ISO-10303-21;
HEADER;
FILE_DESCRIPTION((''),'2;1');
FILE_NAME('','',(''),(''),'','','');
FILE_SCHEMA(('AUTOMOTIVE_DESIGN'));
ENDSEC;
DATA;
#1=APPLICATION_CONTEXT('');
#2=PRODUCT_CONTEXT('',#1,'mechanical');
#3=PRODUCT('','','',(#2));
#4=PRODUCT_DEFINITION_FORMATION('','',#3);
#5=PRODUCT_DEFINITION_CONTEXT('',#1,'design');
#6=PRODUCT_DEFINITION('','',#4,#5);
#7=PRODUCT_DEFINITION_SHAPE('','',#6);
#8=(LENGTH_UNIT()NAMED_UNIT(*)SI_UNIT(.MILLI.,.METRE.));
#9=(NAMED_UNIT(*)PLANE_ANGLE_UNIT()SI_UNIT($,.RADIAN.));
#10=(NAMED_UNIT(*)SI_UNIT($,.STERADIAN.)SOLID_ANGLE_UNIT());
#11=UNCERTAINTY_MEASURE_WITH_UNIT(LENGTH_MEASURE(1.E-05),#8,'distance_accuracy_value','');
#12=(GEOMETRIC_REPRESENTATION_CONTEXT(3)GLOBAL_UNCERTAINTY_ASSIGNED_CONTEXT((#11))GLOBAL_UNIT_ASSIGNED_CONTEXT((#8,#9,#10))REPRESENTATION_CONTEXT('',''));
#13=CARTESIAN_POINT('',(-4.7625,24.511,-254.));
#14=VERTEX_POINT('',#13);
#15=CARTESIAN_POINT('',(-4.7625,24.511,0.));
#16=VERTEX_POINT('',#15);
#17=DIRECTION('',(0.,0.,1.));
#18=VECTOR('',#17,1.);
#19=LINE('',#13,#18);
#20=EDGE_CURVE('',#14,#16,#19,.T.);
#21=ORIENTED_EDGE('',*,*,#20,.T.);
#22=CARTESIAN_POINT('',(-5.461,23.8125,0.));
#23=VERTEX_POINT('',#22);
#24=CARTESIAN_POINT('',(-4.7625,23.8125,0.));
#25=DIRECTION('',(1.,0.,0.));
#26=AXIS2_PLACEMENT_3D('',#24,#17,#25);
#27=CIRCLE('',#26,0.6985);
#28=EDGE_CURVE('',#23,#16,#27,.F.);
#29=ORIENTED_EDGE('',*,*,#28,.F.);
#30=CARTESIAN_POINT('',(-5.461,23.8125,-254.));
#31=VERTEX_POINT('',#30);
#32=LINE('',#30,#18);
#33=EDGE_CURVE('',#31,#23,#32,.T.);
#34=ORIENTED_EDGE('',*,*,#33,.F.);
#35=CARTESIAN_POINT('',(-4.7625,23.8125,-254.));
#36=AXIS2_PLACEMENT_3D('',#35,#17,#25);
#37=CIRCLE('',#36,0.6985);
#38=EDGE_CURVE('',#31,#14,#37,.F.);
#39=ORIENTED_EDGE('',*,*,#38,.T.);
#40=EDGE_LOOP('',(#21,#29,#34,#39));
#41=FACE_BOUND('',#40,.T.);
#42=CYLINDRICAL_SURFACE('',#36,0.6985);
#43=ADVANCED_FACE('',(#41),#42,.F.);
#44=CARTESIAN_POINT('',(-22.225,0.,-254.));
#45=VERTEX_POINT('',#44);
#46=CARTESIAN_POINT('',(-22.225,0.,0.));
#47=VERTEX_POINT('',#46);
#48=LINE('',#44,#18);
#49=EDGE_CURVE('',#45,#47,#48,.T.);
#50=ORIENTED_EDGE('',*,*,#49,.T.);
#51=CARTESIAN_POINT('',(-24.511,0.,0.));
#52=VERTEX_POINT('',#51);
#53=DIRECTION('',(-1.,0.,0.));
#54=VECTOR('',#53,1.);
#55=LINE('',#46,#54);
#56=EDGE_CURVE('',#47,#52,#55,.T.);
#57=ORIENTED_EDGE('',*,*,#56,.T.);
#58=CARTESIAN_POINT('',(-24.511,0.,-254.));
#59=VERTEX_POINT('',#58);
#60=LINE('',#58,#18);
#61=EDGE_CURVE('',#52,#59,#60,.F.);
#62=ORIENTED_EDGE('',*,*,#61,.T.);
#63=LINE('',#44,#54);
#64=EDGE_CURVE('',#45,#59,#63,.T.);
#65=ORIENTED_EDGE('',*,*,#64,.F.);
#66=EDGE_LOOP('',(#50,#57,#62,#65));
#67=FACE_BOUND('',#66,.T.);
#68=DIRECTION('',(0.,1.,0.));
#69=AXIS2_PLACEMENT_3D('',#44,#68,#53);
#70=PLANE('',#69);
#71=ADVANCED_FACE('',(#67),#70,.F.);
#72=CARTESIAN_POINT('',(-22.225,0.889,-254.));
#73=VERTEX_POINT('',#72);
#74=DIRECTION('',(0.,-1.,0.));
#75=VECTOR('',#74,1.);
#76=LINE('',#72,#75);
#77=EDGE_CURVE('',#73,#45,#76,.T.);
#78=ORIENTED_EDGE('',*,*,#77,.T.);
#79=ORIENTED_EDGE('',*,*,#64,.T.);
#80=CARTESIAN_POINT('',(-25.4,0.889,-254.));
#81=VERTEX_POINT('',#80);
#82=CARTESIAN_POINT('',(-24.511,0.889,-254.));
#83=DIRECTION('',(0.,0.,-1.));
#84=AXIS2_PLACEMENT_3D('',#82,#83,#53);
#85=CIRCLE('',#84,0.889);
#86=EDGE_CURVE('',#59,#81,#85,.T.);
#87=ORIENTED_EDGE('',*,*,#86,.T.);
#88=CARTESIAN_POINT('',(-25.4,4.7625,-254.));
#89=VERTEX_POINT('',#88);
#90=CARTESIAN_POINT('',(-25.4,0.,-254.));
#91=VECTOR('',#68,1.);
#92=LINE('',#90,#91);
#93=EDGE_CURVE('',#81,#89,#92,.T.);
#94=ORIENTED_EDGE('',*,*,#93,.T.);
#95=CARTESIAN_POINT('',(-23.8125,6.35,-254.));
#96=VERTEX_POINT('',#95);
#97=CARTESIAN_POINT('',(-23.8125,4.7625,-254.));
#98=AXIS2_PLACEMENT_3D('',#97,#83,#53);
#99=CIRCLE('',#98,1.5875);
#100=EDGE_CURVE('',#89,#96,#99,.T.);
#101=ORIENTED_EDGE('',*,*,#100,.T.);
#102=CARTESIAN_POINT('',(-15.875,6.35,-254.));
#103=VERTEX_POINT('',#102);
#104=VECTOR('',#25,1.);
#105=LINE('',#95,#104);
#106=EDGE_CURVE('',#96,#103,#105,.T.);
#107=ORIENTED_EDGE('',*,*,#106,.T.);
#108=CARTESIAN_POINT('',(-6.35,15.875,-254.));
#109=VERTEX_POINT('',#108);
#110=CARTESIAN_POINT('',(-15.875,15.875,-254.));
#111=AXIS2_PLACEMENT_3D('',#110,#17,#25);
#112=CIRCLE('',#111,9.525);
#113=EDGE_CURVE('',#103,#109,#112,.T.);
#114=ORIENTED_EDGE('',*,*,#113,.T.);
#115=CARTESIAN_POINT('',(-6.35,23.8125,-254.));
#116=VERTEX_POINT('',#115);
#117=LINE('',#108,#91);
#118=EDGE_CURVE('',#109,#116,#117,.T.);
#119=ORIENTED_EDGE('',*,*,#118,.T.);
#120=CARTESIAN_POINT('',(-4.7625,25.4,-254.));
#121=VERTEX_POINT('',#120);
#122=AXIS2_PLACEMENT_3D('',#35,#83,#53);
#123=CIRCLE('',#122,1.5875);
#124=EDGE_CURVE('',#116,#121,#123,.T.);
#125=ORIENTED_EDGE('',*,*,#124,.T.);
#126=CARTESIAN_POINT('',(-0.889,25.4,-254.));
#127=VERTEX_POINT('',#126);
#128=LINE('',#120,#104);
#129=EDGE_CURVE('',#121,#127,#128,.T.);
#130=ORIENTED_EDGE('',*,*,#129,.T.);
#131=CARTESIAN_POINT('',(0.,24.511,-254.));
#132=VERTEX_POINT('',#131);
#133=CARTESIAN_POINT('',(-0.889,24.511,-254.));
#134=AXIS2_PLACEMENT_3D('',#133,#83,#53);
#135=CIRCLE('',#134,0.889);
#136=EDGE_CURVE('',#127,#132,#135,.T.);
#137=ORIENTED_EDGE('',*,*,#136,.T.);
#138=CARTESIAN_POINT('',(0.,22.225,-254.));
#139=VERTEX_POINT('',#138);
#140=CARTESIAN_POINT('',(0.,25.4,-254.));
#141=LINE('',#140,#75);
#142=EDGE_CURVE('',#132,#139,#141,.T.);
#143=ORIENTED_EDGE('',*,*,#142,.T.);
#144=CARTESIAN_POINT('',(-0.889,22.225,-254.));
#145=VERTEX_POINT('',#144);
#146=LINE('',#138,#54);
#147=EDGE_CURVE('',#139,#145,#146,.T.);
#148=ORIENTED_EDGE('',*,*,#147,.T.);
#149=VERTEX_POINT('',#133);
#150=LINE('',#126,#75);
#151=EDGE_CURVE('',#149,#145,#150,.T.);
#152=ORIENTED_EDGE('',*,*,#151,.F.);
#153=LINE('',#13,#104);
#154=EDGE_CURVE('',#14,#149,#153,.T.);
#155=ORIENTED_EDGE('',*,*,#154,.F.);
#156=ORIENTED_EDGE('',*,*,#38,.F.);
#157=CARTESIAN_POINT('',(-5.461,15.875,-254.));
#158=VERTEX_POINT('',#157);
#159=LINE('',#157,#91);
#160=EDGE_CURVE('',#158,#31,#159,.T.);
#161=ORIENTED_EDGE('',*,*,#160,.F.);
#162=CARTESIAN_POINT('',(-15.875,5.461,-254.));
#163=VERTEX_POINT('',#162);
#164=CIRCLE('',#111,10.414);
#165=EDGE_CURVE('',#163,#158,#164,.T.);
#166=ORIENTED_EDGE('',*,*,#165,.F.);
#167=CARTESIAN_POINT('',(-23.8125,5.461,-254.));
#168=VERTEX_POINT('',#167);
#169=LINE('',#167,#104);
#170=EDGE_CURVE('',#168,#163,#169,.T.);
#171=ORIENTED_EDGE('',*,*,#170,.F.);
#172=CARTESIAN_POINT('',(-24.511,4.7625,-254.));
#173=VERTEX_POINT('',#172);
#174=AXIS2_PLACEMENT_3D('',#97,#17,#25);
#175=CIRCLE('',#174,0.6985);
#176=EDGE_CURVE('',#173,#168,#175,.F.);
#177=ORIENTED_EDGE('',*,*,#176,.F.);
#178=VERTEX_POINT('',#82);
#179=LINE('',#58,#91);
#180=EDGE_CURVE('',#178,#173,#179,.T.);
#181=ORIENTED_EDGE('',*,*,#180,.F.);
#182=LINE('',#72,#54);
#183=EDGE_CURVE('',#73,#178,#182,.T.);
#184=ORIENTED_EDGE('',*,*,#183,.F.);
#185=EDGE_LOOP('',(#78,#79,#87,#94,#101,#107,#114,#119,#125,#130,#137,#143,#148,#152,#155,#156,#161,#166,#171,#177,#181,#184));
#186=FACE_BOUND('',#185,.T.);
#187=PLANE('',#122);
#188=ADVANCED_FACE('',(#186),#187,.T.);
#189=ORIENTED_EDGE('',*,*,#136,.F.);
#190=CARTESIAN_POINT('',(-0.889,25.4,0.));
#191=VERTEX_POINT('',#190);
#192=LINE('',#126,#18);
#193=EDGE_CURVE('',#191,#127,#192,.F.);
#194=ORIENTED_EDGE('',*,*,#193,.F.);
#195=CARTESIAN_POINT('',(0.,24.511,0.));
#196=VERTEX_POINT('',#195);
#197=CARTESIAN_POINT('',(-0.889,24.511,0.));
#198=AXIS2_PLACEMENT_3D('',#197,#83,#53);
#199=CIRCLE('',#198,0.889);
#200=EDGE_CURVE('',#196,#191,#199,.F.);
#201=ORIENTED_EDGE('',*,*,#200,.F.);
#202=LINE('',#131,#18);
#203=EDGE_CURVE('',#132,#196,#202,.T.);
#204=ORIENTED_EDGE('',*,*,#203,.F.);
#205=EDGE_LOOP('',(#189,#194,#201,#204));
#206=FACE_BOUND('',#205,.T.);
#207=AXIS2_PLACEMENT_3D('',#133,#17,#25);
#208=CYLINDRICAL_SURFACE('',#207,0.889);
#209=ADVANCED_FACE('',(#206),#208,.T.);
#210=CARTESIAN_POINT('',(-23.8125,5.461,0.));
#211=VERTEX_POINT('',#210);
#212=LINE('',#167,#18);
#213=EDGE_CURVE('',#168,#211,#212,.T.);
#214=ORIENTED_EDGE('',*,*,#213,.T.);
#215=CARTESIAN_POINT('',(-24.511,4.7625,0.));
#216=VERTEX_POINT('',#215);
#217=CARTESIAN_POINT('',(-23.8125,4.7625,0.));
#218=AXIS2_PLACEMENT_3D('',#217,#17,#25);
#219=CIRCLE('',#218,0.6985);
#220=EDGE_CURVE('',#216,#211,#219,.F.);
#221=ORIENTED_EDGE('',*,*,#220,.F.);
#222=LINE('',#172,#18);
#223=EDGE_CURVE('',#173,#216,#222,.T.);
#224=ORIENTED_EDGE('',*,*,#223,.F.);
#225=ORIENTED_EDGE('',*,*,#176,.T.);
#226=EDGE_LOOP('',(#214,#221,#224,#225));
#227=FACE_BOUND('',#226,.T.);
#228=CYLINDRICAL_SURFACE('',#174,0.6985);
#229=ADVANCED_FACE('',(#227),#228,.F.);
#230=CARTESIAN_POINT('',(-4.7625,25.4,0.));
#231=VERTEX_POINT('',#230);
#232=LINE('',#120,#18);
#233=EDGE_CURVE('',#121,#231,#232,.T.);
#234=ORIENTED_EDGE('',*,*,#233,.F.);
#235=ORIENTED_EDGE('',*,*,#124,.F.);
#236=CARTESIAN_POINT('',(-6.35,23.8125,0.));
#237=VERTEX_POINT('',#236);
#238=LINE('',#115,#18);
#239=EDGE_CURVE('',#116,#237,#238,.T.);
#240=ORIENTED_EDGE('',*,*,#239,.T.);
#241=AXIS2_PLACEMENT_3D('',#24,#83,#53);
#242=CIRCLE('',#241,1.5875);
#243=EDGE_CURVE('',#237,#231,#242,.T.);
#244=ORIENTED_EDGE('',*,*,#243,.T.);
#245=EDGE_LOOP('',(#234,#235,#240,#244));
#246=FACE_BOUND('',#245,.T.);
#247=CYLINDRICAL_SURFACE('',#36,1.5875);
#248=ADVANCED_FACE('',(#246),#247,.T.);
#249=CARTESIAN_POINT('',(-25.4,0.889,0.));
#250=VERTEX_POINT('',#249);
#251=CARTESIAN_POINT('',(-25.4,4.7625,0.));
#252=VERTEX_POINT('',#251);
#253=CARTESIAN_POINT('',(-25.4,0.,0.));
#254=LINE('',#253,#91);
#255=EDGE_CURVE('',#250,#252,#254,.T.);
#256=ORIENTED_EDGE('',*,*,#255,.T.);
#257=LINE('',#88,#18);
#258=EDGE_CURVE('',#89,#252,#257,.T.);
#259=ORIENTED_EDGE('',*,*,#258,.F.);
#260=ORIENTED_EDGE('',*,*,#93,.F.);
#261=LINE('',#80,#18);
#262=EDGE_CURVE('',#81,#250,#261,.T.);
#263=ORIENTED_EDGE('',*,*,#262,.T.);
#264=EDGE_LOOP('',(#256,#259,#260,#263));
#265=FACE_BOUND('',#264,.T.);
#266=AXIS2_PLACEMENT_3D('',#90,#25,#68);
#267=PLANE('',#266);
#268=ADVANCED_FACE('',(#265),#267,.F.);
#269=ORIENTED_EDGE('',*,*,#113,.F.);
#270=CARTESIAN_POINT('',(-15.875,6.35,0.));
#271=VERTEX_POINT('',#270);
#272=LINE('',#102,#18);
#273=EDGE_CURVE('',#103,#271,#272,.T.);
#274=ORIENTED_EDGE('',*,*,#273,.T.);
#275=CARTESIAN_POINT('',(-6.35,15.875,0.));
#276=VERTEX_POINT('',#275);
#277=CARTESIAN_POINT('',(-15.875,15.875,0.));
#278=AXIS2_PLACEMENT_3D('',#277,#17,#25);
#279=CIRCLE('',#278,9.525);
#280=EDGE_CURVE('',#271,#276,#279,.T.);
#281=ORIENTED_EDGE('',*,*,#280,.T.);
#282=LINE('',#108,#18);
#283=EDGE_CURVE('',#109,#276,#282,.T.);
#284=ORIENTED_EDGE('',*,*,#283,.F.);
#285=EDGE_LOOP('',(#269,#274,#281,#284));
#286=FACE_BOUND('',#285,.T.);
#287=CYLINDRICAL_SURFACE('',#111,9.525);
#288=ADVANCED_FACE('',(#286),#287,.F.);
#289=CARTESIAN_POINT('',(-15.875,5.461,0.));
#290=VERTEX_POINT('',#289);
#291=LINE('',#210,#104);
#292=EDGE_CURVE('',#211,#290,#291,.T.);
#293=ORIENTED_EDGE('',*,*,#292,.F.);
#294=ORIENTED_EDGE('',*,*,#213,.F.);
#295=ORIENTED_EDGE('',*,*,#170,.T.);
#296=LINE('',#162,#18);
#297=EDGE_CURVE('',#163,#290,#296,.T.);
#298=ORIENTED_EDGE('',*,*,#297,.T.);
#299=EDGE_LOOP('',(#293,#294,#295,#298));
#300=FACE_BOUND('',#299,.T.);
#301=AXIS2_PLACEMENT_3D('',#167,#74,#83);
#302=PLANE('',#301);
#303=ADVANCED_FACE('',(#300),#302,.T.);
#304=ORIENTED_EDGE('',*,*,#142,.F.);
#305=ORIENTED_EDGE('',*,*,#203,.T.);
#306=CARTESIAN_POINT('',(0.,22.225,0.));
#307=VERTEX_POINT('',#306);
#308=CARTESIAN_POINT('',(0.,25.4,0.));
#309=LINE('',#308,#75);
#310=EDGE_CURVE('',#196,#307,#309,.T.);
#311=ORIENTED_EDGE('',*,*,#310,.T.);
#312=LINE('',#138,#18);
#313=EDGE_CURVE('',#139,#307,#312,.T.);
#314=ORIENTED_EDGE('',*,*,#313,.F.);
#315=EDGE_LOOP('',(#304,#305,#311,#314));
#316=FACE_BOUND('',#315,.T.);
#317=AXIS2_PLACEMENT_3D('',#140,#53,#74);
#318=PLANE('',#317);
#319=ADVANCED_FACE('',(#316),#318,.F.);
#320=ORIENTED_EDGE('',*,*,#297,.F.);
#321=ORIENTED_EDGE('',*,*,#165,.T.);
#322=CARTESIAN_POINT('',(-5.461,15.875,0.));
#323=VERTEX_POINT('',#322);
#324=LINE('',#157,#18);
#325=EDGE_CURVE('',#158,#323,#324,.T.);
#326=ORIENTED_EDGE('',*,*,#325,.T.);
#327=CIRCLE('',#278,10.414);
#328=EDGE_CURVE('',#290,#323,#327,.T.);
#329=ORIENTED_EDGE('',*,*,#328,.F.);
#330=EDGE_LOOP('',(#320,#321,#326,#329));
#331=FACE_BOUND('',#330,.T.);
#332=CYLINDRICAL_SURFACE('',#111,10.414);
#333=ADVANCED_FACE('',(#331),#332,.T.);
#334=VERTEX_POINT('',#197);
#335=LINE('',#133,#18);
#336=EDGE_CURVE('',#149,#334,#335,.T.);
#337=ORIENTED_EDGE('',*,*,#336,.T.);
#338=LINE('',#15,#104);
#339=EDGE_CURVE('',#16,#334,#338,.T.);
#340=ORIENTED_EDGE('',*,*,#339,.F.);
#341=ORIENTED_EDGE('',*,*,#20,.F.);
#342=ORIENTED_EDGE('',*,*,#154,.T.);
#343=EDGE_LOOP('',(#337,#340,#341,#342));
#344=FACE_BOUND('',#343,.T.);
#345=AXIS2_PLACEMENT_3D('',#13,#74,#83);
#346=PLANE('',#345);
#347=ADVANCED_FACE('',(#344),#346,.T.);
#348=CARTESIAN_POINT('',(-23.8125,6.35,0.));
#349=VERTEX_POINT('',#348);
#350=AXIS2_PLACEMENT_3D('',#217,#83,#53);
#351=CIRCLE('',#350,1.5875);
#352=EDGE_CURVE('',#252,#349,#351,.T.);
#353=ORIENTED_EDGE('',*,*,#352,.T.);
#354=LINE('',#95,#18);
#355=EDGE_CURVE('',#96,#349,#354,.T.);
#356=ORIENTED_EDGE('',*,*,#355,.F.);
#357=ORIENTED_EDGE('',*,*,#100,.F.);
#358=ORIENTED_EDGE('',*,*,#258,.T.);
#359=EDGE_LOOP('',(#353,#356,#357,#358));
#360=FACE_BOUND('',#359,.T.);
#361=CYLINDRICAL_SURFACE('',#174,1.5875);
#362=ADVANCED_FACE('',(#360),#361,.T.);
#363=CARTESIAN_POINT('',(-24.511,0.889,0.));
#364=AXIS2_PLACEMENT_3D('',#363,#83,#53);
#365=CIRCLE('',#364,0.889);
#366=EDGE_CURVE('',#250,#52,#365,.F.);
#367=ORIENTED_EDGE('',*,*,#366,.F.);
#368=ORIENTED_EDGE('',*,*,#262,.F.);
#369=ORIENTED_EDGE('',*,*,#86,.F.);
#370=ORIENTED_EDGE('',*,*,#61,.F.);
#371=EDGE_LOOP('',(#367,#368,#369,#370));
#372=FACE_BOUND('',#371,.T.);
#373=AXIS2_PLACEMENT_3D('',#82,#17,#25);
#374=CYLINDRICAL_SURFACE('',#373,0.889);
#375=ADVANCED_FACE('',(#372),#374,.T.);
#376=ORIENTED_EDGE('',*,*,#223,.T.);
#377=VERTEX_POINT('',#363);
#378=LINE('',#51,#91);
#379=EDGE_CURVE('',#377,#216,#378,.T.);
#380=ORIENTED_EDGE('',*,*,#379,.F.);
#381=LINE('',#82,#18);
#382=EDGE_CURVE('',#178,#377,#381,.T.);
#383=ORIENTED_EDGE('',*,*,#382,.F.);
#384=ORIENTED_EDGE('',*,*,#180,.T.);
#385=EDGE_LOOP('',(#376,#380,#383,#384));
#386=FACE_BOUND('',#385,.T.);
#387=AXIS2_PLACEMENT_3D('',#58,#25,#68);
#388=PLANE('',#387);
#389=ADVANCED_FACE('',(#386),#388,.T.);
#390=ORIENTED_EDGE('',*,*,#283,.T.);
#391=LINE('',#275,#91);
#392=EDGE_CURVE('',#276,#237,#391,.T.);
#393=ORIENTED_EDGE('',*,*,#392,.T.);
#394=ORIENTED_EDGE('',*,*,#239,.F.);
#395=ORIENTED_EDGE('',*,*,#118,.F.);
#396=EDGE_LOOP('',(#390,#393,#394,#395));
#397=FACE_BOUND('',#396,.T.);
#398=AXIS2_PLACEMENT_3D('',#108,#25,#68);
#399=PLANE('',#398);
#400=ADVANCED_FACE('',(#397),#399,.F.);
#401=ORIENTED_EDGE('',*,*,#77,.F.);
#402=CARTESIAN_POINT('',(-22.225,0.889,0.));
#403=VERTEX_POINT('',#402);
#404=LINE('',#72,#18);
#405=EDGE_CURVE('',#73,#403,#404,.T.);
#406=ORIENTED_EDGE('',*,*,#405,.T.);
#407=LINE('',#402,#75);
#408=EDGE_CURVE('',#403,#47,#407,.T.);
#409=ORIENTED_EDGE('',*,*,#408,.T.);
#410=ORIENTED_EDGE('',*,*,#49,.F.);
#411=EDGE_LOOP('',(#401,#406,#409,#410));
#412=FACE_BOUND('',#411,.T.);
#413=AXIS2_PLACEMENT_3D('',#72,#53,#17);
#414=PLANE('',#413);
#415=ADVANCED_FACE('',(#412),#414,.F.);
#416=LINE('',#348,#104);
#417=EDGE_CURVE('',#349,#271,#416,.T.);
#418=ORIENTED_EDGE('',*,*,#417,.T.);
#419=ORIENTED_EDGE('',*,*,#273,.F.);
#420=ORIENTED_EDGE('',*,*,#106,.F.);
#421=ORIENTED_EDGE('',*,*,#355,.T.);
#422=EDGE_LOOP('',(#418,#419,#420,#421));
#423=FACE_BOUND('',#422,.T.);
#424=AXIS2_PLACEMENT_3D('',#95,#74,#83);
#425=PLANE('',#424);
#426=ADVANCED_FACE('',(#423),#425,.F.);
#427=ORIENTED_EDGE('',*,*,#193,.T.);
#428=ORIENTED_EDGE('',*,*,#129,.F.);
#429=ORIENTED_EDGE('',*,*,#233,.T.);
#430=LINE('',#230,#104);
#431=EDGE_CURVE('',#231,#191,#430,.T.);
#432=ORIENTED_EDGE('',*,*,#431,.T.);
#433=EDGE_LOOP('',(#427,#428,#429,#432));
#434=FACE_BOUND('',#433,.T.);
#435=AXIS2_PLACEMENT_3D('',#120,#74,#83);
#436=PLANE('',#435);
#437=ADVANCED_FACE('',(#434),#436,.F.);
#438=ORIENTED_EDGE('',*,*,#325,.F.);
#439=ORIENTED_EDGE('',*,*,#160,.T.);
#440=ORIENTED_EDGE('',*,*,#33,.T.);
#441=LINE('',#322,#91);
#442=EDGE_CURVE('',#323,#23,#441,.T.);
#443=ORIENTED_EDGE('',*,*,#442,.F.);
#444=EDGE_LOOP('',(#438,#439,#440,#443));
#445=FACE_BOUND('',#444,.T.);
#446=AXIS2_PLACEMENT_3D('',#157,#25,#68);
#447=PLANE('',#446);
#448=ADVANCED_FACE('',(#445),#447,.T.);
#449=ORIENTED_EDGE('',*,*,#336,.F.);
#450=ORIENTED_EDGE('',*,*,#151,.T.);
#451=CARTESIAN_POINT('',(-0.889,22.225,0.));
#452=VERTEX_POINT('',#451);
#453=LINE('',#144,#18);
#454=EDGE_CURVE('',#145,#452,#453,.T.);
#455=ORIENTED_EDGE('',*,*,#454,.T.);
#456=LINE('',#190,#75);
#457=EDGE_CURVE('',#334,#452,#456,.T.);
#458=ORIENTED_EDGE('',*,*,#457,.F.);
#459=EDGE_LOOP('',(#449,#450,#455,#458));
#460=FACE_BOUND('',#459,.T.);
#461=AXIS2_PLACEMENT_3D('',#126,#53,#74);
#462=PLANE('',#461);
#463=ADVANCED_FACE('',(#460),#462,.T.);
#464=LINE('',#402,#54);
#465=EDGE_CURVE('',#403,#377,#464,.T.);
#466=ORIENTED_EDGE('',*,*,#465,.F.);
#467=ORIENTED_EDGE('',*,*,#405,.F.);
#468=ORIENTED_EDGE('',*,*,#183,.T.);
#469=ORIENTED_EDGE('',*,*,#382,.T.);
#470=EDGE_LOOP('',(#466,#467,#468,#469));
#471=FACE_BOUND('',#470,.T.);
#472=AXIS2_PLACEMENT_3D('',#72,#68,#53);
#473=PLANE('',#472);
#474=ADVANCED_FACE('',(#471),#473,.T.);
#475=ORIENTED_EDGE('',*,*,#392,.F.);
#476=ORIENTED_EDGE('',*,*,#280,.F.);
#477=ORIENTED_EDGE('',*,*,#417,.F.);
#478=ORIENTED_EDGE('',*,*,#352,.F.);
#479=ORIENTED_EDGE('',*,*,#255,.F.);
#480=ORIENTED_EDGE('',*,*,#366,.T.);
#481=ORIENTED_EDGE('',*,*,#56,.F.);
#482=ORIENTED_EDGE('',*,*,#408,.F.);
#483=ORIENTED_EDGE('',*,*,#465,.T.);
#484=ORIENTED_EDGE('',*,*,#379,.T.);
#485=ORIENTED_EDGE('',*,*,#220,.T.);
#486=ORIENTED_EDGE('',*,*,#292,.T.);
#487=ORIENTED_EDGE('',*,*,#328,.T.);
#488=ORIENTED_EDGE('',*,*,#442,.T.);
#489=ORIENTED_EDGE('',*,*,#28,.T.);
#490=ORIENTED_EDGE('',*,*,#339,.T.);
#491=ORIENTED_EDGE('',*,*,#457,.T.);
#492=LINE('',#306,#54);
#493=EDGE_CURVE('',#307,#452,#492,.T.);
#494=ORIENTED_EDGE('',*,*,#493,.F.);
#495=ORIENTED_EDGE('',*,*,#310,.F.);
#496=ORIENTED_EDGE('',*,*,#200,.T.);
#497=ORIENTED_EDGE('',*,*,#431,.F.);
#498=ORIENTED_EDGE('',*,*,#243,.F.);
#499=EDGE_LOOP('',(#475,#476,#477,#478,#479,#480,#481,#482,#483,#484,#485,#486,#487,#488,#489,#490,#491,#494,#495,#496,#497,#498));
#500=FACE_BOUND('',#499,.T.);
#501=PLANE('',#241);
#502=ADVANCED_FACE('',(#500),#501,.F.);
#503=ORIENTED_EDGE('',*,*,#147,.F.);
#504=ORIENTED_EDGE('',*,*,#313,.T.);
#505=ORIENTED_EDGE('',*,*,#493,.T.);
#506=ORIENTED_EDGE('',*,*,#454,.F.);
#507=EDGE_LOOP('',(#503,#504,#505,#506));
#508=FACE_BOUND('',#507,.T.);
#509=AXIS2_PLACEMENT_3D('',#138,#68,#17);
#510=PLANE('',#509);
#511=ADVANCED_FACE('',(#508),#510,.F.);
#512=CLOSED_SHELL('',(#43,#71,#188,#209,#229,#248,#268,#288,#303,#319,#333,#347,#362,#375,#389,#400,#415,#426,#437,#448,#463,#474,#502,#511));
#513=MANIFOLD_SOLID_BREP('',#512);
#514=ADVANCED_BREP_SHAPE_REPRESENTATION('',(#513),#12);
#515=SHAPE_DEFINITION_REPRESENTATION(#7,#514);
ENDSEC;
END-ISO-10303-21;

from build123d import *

# Parameters (mm, degrees)
EXTRUDE_THIN1_DEPTH = 254
FILLET1_R           = 0.889


with BuildPart() as part:
    # Sketch1 → Extrude-Thin1 (new body)
    with BuildSketch(Plane.XY):
        with BuildLine():
            Line((-22.225, 0), (-25.4, 0))
            Line((-25.4, 0), (-25.4, 4.7625))
            ThreePointArc((-25.4, 4.7625), (-24.935032015, 5.885032015), (-23.8125, 6.35))
            Line((-23.8125, 6.35), (-15.875, 6.35))
            ThreePointArc((-15.875, 6.35), (-9.139807909, 9.139807909), (-6.35, 15.875))
            Line((-6.35, 15.875), (-6.35, 23.8125))
            ThreePointArc((-6.35, 23.8125), (-5.885032015, 24.935032015), (-4.7625, 25.4))
            Line((-4.7625, 25.4), (0, 25.4))
            Line((0, 25.4), (0, 22.225))
            Line((0, 22.225), (-0.889, 22.225))
            Line((-0.889, 22.225), (-0.889, 24.511))
            Line((-0.889, 24.511), (-4.7625, 24.511))
            ThreePointArc((-4.7625, 24.511), (-5.256414087, 24.306414087), (-5.461, 23.8125))
            Line((-5.461, 23.8125), (-5.461, 15.875))
            ThreePointArc((-5.461, 15.875), (-8.511189981, 8.511189981), (-15.875, 5.461))
            Line((-15.875, 5.461), (-23.8125, 5.461))
            ThreePointArc((-23.8125, 5.461), (-24.306414087, 5.256414087), (-24.511, 4.7625))
            Line((-24.511, 4.7625), (-24.511, 0.889))
            Line((-24.511, 0.889), (-22.225, 0.889))
            Line((-22.225, 0.889), (-22.225, 0))
        make_face()
    extrude(amount=-EXTRUDE_THIN1_DEPTH)

    # Fillet1
    fillet1_edges = [part.edges().sort_by_distance(p)[0] for p in [
        (-25.4, 0, -127),
        (0, 25.4, -127),
    ]]
    fillet(fillet1_edges, radius=FILLET1_R)


solid = part.part
